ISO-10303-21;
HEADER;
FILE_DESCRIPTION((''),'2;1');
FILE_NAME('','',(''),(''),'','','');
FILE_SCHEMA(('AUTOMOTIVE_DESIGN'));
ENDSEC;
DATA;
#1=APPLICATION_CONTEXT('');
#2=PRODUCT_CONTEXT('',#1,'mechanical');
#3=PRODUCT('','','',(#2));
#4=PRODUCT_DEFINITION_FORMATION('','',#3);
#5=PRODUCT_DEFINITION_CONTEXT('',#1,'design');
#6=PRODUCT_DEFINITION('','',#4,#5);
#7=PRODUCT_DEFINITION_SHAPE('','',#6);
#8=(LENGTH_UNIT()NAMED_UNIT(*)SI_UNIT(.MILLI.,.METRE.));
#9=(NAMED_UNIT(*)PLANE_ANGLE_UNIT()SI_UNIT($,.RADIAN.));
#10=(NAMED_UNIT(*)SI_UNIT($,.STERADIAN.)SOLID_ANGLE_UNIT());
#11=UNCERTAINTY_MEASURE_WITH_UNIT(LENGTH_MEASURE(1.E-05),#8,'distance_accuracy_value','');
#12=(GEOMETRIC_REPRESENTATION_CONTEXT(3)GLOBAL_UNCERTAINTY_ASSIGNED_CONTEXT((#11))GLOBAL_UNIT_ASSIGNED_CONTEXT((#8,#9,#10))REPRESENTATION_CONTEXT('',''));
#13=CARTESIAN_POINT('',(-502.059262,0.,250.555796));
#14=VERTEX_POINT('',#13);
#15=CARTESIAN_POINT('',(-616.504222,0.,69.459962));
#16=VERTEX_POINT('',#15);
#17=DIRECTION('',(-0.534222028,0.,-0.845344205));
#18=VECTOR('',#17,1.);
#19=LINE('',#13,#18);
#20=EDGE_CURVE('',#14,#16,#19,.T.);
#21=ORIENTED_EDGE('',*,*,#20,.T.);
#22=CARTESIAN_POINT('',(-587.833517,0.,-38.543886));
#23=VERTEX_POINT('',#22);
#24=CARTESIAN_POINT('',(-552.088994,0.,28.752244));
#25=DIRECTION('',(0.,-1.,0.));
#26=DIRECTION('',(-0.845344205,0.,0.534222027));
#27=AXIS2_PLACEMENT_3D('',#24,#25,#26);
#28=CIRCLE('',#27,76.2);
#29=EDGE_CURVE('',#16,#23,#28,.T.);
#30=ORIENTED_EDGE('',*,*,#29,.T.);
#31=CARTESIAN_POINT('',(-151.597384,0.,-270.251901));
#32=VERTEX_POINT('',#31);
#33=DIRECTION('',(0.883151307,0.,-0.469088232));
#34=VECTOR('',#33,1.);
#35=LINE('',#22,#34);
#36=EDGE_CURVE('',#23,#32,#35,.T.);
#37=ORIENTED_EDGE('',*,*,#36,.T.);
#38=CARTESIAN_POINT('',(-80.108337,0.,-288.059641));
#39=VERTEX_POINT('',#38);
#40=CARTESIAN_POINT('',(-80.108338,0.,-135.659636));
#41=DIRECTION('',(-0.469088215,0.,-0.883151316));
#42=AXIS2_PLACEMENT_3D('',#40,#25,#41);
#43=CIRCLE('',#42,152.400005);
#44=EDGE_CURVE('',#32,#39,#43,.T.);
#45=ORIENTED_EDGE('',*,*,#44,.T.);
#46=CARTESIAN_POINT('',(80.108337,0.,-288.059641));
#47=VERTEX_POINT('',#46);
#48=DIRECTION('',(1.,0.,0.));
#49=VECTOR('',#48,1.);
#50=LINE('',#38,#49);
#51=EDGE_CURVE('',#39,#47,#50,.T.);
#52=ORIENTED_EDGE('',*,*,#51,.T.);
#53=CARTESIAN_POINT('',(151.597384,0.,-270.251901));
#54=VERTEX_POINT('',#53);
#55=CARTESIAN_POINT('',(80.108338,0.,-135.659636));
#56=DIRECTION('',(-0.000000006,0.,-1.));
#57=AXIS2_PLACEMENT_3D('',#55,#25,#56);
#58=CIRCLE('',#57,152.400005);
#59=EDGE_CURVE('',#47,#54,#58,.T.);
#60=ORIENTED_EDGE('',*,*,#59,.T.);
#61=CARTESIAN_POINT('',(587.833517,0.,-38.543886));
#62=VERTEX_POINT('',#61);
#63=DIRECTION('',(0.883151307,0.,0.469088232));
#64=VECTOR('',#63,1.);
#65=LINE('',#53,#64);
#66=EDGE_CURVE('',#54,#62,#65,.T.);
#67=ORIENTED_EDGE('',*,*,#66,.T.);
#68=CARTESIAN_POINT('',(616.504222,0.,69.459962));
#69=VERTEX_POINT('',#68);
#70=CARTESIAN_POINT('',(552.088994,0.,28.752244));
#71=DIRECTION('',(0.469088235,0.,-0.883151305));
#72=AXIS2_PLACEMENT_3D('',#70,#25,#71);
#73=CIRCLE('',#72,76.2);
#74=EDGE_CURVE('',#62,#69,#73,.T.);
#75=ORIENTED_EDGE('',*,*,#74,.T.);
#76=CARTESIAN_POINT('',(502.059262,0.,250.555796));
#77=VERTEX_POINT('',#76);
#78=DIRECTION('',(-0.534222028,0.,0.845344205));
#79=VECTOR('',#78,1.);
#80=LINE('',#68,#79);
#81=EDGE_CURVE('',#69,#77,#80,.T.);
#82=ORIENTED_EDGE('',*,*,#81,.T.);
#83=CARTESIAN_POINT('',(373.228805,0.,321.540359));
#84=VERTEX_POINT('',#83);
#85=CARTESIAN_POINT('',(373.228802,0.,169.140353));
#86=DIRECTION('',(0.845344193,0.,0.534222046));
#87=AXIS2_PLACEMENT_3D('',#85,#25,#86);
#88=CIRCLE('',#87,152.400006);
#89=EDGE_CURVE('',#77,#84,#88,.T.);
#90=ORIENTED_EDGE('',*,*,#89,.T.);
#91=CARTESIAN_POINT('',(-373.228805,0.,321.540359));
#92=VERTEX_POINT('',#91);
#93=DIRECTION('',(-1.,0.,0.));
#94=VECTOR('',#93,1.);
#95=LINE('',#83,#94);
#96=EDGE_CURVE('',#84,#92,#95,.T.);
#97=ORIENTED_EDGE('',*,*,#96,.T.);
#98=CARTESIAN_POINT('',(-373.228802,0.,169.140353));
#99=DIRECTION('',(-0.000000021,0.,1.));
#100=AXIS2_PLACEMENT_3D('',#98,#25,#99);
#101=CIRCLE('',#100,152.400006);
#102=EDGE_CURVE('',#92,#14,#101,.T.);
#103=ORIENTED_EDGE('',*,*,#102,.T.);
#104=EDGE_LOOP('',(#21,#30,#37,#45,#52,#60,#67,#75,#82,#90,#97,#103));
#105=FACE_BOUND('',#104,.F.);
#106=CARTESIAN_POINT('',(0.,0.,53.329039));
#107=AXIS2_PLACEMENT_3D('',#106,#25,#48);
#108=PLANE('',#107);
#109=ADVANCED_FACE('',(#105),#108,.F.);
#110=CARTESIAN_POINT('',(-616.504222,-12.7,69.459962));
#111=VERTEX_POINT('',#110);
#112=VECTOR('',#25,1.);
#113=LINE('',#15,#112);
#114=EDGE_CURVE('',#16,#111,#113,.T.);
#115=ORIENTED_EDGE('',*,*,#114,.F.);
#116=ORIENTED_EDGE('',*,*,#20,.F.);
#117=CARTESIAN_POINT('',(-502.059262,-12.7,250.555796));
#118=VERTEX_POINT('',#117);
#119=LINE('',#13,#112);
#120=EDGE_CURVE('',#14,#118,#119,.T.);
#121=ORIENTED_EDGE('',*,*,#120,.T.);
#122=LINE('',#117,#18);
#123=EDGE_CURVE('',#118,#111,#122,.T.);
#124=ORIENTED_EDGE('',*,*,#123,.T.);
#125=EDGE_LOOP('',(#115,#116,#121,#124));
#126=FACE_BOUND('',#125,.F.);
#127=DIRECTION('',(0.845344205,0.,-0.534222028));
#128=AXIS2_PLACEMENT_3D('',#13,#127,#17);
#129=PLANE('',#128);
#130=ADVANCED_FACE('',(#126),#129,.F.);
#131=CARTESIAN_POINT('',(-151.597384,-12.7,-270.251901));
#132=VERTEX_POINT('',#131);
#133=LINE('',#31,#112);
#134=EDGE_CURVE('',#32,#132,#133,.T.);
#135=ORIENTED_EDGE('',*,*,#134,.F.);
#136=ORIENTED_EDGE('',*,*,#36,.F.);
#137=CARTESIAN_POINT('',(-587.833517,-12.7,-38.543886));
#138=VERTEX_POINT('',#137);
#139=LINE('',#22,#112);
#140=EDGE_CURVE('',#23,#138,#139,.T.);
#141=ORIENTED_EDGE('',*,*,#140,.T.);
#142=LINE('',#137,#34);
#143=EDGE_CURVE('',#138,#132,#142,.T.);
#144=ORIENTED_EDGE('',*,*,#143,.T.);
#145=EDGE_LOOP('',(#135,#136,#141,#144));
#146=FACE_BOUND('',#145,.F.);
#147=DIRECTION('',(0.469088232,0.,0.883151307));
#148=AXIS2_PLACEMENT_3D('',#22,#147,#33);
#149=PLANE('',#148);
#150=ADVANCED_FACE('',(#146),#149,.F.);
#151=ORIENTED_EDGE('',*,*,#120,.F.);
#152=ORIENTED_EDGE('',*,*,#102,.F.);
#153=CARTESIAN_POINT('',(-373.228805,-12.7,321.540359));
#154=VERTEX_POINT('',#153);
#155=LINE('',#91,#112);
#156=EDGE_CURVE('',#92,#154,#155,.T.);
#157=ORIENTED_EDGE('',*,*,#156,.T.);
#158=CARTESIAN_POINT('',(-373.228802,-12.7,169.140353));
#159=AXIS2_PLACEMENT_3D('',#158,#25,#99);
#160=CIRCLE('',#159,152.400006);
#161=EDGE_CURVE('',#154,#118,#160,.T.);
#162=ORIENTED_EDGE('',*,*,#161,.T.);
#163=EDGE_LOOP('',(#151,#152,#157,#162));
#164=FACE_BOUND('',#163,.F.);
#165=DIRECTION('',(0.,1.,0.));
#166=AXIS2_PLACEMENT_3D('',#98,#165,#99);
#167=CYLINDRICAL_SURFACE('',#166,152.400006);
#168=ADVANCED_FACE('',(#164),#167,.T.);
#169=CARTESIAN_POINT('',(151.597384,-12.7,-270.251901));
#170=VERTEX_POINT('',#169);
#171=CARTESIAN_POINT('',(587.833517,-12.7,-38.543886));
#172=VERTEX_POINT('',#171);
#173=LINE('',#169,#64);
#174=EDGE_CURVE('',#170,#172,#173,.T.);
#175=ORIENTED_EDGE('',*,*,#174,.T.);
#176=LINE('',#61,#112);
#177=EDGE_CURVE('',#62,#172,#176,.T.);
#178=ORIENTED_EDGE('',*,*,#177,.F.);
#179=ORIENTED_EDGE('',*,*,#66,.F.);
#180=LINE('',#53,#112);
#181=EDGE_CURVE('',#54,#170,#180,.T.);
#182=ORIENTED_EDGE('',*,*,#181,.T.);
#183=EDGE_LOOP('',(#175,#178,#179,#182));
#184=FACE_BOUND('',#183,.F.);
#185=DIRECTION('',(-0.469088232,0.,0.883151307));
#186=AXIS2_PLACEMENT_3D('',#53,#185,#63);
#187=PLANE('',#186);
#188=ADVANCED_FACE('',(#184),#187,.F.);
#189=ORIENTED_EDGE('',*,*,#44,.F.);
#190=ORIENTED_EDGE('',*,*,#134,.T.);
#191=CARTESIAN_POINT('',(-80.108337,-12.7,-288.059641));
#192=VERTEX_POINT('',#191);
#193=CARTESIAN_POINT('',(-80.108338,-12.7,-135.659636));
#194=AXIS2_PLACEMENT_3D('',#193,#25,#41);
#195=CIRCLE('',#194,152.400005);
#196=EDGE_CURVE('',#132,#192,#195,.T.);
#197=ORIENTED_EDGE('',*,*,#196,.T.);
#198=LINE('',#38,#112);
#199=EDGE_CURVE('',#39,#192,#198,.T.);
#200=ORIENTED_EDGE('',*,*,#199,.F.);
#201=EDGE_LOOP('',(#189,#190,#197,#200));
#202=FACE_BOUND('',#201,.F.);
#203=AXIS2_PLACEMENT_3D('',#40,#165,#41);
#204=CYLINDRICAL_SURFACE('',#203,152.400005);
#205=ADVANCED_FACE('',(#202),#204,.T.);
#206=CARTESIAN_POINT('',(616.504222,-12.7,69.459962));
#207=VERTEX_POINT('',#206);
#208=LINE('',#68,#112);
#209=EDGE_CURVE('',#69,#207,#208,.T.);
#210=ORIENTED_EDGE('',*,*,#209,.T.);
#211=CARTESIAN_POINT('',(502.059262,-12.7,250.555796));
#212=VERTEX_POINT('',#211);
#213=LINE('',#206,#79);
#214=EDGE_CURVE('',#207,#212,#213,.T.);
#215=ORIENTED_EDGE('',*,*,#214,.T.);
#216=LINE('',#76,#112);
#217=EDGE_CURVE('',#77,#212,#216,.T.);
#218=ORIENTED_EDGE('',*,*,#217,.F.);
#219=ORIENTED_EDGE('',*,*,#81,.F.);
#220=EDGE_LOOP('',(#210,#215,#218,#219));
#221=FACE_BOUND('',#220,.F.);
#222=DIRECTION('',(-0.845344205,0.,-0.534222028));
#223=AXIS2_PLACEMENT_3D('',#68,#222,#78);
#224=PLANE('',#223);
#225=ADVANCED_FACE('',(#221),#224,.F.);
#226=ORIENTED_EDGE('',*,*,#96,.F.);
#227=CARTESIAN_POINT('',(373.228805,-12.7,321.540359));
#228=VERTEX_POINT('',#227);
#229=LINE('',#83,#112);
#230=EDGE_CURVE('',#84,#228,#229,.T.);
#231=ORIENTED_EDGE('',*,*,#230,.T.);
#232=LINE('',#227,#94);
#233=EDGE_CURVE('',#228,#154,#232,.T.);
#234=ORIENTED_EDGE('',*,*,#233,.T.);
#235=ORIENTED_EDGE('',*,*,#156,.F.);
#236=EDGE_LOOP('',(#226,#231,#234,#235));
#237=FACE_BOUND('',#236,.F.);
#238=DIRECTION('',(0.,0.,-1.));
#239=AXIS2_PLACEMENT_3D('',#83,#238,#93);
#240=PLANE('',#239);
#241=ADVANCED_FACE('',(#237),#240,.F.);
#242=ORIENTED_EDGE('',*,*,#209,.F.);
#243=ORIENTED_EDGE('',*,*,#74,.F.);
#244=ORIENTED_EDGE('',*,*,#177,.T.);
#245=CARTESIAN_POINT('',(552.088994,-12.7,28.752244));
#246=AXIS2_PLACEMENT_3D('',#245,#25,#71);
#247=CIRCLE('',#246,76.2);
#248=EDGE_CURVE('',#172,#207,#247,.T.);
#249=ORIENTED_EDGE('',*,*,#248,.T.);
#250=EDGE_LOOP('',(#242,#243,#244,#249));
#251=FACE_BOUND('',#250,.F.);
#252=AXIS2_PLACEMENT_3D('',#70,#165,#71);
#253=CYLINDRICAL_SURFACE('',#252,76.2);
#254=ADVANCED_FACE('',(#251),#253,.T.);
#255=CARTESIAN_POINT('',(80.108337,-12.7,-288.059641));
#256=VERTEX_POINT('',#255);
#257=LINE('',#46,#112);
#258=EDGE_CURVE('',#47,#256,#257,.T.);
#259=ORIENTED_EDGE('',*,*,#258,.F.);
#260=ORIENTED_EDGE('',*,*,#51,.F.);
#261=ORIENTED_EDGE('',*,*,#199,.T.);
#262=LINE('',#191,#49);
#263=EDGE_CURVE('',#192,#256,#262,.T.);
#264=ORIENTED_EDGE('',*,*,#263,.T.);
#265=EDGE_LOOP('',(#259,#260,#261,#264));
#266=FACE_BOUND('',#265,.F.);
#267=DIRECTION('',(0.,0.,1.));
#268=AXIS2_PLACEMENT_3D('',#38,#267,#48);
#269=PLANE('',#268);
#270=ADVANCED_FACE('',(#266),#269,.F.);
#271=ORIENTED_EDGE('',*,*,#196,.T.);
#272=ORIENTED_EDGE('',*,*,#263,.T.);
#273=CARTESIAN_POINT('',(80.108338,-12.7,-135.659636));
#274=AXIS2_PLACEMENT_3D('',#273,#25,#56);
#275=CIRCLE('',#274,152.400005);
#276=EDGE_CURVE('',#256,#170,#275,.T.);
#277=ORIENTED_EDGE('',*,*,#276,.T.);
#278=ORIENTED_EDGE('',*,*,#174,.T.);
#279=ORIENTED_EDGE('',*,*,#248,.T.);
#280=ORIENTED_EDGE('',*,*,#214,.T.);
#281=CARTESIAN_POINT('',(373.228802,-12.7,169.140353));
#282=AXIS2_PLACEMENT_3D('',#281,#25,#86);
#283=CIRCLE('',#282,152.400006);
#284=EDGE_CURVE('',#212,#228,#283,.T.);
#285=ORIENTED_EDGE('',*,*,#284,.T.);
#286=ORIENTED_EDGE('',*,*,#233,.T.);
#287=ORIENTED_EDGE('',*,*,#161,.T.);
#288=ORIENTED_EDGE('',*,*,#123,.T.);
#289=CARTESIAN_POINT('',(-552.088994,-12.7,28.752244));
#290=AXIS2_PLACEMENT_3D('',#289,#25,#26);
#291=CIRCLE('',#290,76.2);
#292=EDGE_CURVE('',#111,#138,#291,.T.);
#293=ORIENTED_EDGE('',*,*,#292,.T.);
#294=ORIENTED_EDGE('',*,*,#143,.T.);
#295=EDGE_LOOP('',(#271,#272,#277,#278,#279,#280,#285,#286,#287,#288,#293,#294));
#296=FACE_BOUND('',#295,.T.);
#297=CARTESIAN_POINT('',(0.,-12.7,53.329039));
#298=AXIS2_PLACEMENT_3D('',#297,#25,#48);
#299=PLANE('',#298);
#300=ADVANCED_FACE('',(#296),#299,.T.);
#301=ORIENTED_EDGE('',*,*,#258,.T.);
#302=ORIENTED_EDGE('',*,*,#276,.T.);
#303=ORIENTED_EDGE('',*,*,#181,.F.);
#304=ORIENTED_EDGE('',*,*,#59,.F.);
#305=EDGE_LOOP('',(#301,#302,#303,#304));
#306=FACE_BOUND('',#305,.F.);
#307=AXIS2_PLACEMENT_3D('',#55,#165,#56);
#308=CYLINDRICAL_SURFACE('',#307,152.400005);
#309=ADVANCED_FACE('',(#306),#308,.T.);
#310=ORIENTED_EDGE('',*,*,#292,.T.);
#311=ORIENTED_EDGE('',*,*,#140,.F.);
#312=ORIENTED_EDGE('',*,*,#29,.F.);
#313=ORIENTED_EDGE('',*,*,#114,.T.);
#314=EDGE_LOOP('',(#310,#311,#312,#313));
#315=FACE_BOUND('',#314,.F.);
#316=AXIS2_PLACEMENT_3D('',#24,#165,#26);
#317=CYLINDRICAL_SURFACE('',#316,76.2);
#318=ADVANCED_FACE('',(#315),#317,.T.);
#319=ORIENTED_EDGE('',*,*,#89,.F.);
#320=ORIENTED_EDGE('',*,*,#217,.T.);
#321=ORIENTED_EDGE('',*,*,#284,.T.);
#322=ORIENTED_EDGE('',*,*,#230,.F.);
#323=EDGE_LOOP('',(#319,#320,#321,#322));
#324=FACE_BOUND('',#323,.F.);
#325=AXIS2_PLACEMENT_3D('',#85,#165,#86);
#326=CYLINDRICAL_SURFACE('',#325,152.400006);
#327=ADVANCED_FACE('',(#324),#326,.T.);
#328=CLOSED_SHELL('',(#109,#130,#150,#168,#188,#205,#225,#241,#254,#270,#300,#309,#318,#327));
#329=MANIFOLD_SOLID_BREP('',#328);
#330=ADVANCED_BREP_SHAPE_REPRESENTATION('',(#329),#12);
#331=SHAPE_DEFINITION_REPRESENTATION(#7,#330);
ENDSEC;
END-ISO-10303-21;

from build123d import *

# Parameters (mm, degrees)
F1_DEPTH = 12.7


with BuildPart() as f1:
    # F0 (on Front) → F1 (new body)
    with BuildSketch(Plane.XZ):
        with BuildLine():
            Line((373.228805, 321.540359), (0, 321.540359))
            Line((0, 321.540359), (-373.228805, 321.540359))
            ThreePointArc((-373.228805, 321.540359), (-446.77487, 302.619706), (-502.059262, 250.555796))
            Line((-502.059262, 250.555796), (-616.504222, 69.459962))
            ThreePointArc((-616.504222, 69.459962), (-625.738174, 9.20133), (-587.833517, -38.543886))
            Line((-587.833517, -38.543886), (-151.597384, -270.251901))
            ThreePointArc((-151.597384, -270.251901), (-116.945137, -283.540709), (-80.108337, -288.059641))
            Line((-80.108337, -288.059641), (80.108337, -288.059641))
            ThreePointArc((80.108337, -288.059641), (116.945137, -283.540709), (151.597384, -270.251901))
            Line((151.597384, -270.251901), (587.833517, -38.543886))
            ThreePointArc((587.833517, -38.543886), (625.738174, 9.20133), (616.504222, 69.459962))
            Line((616.504222, 69.459962), (502.059262, 250.555796))
            ThreePointArc((502.059262, 250.555796), (446.77487, 302.619706), (373.228805, 321.540359))
        make_face()
    extrude(amount=F1_DEPTH)


solid = f1.part
